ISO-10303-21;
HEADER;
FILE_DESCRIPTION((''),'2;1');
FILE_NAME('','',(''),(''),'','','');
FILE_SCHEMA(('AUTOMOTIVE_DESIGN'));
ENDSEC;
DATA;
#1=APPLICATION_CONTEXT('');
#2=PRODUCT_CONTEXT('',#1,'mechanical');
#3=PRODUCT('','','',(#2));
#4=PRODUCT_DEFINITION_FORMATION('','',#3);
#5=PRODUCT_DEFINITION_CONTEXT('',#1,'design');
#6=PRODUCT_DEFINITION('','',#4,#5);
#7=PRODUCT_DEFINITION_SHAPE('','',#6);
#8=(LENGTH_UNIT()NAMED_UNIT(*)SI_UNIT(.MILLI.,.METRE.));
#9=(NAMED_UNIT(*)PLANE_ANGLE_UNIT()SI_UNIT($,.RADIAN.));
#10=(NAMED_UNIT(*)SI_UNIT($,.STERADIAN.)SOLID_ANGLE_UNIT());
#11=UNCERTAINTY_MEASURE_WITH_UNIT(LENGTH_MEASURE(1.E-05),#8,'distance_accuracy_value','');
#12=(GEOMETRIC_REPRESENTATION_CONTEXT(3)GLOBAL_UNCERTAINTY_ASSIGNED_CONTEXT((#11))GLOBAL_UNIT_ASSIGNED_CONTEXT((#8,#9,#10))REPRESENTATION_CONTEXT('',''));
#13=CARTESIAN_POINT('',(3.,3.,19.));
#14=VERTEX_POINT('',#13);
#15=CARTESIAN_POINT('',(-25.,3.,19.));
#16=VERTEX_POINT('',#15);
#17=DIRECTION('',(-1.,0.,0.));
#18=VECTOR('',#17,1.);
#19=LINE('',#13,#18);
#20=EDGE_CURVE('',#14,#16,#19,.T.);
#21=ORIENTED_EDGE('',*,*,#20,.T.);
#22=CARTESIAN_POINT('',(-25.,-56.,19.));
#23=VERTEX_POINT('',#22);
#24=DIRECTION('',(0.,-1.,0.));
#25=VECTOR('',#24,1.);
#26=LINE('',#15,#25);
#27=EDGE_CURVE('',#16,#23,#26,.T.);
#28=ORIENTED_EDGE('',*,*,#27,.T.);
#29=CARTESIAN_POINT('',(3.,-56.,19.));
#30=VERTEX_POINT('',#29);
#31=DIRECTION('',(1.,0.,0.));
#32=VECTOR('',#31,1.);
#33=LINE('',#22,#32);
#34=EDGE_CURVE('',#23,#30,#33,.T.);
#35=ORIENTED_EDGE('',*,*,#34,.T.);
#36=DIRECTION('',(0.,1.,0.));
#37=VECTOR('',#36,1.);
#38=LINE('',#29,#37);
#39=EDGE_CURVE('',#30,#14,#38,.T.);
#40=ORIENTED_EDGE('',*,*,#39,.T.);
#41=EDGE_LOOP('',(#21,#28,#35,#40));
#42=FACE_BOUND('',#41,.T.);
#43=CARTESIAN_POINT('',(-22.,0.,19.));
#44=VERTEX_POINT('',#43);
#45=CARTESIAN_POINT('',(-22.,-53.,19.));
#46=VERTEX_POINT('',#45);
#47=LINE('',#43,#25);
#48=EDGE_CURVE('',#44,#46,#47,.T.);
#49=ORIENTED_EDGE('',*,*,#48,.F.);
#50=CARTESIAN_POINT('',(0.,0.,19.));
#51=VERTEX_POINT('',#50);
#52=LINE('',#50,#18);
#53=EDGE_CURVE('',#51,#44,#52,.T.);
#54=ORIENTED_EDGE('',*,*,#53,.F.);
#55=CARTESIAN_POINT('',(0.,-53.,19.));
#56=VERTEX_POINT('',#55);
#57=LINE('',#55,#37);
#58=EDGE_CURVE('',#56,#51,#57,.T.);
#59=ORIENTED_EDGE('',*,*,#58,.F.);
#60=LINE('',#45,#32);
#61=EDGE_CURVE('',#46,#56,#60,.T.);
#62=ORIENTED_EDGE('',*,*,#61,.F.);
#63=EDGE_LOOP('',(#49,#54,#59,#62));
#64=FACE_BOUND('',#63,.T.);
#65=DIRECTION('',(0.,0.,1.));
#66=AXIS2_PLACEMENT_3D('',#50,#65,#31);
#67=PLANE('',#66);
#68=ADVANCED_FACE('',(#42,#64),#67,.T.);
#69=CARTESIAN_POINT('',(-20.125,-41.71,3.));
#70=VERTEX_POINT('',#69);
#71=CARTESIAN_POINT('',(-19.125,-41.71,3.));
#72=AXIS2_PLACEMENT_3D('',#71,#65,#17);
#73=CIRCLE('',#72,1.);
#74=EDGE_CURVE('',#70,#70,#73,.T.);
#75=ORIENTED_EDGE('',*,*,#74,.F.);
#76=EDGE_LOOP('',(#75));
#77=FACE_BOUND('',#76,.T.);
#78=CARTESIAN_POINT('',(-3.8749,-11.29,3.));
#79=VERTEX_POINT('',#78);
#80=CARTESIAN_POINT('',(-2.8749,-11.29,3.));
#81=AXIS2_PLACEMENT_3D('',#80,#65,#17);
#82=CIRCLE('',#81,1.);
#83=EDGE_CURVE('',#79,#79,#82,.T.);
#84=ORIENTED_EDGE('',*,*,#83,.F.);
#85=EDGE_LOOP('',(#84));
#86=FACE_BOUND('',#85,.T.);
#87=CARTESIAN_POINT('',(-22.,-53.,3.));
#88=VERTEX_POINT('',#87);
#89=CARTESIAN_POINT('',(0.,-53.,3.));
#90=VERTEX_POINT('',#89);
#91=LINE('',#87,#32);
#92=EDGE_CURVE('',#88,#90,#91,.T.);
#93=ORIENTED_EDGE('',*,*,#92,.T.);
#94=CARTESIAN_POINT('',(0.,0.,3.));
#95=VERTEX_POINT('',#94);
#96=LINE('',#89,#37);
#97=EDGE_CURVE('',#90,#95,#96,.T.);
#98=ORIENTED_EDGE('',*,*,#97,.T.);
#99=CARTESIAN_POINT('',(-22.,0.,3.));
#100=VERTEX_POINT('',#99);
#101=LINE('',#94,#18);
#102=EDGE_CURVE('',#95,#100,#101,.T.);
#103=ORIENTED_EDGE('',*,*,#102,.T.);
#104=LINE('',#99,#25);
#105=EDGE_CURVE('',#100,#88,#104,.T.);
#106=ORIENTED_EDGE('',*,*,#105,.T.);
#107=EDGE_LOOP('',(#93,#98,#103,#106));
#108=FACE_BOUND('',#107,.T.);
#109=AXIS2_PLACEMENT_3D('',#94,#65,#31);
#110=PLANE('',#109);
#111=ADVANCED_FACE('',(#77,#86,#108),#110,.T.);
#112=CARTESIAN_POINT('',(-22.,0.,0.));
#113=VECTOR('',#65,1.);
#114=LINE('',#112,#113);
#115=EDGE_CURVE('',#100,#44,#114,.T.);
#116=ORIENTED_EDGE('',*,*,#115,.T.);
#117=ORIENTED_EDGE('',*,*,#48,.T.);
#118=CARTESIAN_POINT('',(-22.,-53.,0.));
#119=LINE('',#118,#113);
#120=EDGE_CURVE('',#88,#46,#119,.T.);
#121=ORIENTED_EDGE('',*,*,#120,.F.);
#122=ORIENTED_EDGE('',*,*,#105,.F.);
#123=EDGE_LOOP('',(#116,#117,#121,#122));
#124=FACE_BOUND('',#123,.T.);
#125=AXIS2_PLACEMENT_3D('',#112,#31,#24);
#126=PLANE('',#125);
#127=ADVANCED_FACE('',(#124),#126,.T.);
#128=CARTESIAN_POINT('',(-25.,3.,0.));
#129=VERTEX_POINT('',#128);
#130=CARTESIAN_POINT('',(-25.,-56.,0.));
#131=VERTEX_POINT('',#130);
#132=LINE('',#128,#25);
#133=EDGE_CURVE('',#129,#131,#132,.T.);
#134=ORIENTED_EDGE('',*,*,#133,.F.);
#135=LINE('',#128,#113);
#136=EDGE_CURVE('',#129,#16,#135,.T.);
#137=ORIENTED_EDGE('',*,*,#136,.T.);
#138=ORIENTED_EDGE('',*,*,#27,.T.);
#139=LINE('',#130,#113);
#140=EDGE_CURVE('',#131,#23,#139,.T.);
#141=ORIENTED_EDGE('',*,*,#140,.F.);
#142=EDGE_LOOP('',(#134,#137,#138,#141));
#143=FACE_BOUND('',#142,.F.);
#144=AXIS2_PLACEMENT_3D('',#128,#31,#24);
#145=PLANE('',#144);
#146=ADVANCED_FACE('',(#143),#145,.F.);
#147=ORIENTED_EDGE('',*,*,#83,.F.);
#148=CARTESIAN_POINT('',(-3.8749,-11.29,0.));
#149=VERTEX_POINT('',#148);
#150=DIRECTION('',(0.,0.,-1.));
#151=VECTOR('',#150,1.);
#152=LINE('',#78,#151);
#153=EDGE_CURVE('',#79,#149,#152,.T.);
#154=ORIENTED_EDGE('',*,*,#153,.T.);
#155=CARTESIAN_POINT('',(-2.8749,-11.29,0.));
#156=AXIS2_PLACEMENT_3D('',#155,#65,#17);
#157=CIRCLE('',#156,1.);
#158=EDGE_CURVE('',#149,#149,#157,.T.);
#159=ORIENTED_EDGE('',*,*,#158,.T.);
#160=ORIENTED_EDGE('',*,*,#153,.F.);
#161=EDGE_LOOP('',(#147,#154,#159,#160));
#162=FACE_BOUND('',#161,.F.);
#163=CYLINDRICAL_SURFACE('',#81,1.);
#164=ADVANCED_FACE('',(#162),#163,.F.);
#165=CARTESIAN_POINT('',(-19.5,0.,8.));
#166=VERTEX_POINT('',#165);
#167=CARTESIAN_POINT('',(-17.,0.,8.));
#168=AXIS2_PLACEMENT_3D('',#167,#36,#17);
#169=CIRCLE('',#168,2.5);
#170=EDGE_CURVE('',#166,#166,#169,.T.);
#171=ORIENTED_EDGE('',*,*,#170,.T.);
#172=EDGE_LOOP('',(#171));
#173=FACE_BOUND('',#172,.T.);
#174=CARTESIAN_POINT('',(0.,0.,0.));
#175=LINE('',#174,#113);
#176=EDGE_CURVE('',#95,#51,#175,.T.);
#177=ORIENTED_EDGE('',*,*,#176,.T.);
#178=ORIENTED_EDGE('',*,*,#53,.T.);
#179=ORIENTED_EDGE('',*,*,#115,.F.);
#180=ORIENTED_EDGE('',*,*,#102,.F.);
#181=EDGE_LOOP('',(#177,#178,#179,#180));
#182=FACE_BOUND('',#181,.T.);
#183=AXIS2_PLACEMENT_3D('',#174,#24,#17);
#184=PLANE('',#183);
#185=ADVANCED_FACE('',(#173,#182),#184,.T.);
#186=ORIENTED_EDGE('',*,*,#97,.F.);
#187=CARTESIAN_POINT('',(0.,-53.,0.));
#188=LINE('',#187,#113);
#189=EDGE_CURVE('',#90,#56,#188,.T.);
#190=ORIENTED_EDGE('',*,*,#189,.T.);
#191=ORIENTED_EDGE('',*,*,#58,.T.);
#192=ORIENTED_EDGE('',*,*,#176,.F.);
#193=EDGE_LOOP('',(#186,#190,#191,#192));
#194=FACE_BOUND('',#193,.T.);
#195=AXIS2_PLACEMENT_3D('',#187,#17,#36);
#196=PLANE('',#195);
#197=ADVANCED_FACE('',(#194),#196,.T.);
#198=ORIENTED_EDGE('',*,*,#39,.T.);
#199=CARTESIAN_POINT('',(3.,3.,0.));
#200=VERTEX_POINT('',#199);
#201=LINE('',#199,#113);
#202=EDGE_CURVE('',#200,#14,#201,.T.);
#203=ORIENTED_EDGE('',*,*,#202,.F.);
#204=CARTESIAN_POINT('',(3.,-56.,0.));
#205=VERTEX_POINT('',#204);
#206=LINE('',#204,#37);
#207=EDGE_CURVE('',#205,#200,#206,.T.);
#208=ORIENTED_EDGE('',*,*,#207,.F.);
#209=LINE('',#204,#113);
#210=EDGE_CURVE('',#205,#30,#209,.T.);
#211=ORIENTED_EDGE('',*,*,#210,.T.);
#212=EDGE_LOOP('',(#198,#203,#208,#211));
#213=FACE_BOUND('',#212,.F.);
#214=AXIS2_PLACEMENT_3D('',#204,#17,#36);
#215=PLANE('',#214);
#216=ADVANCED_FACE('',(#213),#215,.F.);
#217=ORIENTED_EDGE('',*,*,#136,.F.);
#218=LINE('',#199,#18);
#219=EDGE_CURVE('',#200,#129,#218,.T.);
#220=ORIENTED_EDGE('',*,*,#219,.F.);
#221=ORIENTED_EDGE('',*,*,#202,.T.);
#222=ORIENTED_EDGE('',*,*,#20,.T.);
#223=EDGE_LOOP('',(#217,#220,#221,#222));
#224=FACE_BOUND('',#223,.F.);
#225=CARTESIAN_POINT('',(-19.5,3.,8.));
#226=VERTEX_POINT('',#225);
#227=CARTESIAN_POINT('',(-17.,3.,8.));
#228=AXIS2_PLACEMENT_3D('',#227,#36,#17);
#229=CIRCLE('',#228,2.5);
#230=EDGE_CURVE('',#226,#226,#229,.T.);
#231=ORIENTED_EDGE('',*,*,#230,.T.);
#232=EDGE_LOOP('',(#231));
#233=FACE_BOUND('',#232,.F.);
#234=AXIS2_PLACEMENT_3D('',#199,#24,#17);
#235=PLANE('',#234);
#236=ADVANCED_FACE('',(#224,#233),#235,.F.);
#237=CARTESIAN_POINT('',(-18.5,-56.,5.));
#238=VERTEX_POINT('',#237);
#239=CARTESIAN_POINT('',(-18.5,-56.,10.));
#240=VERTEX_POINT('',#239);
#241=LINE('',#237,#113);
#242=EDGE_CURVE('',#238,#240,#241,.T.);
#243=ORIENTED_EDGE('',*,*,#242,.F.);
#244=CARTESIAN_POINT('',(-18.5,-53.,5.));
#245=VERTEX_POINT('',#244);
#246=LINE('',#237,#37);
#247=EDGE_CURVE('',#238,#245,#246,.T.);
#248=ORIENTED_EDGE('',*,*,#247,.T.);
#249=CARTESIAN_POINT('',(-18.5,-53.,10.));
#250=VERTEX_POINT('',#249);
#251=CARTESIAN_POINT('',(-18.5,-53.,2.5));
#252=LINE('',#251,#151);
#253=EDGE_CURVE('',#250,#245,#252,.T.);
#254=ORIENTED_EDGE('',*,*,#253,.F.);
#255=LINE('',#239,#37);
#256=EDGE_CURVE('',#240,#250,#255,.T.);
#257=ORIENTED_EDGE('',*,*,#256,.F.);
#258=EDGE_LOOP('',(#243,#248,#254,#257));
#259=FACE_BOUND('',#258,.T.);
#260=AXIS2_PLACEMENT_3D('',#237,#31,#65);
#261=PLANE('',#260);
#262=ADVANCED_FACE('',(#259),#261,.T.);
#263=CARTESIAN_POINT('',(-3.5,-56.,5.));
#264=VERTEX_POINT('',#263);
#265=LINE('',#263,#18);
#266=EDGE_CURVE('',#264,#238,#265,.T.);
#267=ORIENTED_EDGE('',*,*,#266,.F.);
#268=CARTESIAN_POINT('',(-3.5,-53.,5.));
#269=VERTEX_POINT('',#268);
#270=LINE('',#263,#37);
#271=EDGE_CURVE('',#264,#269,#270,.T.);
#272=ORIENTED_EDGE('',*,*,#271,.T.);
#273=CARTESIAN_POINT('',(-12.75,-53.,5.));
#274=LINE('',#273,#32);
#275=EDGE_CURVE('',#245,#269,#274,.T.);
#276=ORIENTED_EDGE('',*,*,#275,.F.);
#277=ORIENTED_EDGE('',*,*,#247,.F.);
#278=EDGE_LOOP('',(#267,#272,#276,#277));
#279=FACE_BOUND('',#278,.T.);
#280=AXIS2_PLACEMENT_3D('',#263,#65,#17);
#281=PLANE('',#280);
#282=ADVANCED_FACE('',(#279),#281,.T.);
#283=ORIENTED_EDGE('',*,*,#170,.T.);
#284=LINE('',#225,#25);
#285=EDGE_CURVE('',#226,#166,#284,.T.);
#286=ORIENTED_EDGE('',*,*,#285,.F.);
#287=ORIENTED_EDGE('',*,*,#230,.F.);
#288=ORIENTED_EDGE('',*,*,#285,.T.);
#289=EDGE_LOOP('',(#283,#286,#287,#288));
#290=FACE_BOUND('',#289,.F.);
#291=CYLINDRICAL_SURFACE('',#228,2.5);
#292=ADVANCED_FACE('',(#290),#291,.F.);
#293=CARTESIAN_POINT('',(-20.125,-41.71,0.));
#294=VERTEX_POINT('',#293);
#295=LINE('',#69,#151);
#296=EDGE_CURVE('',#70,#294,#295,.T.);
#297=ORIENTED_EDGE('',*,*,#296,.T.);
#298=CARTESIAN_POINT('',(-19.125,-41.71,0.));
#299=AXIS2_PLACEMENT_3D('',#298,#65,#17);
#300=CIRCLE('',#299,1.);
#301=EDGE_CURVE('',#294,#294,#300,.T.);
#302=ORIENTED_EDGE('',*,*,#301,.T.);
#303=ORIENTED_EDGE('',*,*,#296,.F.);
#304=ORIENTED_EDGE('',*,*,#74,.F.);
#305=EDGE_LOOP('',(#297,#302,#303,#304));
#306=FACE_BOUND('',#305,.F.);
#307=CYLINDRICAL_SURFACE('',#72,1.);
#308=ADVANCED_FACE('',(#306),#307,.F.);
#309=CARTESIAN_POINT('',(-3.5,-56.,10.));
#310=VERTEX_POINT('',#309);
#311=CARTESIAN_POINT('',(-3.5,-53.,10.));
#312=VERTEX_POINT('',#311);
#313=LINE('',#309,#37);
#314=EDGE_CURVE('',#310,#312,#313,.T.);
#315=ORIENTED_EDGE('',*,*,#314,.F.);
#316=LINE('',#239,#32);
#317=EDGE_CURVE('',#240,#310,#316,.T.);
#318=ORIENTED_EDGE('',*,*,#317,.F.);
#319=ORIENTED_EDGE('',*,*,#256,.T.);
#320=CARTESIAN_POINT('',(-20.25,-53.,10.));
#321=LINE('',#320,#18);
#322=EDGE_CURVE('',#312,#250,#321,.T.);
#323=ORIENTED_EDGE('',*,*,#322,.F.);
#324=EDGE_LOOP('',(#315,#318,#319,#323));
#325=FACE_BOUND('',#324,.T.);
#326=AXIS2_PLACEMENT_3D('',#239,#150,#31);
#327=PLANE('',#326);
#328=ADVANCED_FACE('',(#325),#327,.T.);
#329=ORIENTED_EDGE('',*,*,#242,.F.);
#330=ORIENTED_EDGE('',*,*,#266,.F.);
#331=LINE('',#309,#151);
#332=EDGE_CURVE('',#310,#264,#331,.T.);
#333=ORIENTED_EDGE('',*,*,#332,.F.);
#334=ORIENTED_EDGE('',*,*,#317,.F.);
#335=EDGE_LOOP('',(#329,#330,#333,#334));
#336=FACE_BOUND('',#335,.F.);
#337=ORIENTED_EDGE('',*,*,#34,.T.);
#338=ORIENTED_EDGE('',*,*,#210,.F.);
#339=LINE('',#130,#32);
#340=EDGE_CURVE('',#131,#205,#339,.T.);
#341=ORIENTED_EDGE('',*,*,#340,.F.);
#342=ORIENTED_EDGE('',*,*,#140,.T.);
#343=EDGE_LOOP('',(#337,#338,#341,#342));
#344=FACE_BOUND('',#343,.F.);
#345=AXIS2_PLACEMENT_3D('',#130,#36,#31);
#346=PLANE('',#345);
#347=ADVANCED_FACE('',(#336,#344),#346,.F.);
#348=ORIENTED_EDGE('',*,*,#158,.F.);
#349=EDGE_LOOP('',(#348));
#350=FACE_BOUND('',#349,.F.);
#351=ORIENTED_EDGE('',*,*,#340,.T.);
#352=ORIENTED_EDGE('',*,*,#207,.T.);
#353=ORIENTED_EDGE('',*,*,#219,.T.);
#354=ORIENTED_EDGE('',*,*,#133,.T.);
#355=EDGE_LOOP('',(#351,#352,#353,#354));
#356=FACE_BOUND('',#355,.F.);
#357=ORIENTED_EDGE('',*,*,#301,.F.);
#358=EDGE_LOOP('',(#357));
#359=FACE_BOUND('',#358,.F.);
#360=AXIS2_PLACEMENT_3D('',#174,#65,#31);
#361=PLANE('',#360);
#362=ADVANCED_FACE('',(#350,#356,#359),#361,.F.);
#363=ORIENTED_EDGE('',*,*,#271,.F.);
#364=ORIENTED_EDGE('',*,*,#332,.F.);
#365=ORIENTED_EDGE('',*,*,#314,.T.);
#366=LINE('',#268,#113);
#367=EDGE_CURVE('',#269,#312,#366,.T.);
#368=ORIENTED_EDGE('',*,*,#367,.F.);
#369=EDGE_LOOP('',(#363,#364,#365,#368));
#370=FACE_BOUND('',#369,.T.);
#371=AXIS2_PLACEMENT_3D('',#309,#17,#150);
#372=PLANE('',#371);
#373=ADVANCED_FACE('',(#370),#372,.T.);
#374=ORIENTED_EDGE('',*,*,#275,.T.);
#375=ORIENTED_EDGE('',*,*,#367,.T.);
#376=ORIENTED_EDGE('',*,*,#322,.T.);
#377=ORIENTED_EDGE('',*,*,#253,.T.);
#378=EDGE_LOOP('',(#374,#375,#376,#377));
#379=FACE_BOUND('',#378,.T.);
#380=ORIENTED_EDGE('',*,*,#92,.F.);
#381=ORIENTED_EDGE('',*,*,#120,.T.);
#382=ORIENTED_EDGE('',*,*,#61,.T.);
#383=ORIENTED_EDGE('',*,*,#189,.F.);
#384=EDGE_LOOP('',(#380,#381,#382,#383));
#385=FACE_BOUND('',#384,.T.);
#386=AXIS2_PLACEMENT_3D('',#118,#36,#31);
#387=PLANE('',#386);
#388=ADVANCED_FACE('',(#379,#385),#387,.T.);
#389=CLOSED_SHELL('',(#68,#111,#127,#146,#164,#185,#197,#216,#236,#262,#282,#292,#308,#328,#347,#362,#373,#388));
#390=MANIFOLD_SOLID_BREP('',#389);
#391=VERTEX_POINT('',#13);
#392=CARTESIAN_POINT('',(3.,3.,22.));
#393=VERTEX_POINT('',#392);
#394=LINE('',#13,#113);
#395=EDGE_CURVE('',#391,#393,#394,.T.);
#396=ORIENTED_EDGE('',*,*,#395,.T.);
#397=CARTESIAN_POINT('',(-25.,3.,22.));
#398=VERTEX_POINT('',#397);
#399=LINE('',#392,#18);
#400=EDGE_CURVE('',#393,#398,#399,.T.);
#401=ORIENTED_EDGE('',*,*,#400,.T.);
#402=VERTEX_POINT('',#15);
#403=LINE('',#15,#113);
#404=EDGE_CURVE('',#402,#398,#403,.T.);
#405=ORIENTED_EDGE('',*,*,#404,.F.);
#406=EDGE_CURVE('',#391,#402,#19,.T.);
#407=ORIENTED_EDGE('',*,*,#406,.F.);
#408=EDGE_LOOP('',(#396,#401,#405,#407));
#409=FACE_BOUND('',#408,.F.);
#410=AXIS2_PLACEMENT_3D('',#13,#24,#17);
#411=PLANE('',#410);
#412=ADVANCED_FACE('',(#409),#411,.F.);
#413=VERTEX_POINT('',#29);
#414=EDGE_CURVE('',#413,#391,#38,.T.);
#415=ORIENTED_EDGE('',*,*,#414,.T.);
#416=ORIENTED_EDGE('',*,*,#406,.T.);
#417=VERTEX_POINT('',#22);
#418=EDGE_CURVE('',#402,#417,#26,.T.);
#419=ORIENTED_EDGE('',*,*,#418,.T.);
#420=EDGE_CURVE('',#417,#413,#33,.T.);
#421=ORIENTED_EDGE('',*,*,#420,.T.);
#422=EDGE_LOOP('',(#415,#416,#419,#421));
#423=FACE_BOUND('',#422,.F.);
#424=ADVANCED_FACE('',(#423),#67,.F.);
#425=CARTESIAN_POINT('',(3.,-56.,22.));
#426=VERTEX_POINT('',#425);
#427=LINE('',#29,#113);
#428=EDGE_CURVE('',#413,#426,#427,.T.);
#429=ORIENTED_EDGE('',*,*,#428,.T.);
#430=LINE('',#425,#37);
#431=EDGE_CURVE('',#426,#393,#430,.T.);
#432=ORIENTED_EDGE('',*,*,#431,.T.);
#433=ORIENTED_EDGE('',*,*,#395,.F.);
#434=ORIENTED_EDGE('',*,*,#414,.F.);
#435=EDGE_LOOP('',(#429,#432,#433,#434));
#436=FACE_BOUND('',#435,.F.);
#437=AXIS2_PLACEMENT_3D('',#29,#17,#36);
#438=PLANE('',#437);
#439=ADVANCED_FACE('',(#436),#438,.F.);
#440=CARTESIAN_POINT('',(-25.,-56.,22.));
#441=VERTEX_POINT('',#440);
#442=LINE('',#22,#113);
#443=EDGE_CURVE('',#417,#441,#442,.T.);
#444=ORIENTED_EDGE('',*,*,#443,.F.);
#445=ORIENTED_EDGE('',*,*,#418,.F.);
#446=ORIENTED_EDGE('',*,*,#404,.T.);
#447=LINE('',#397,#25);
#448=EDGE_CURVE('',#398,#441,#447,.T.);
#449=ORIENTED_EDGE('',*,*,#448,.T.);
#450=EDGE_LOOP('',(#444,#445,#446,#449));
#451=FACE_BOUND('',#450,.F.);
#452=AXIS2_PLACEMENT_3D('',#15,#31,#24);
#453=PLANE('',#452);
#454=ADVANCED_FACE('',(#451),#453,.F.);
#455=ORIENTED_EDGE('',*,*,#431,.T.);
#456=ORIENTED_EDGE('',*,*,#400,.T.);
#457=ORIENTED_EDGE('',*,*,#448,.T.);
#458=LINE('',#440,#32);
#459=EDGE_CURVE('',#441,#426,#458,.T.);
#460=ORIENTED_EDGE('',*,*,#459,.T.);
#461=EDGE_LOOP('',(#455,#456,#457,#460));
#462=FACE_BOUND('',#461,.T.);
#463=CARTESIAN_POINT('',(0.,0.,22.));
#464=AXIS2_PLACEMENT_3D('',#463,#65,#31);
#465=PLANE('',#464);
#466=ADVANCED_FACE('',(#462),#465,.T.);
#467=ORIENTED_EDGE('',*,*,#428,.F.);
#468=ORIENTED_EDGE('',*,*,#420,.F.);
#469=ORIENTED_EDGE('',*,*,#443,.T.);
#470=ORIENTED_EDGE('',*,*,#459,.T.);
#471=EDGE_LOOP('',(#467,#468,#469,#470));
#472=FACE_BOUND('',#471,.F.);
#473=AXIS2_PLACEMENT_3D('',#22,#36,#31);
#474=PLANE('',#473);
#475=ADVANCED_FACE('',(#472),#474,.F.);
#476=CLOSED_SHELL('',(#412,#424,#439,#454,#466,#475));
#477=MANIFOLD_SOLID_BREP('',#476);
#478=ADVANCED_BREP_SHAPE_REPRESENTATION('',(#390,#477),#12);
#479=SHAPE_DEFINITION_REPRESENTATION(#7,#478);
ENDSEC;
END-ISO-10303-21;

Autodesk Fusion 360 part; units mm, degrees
sketch "Skizze1" plane through (0, 0, 0) normal (0, 0, 1) x (1, 0, 0) in component "light-on-checker"
  line L0 (0, 0) -> (-22, 0)
  line L1 (-22, 0) -> (-22, -53)
  line L2 (-22, -53) -> (0, -53)
  line L3 (0, -53) -> (0, 0)
  line L4 (3, -56) -> (3, 3)
  line L5 (3, 3) -> (-25, 3)
  line L6 (-25, 3) -> (-25, -56)
  line L7 (-25, -56) -> (3, -56)
  dimension "d11" = 22
  dimension "d12" = 53
  dimension "d13" = 3
extrude "Extrusion1" add sketch "Skizze1" along normal blind 3 contours L0 L1 L2 L3 makes body 1 in component "light-on-checker"
extrude "Extrusion2" add sketch "Skizze1" along normal blind 19 bodies 1 in component "light-on-checker"
extrude "Extrusion3" add sketch "Skizze1" along normal blind 3 from surface at 19 separate body contours L0 L1 L2 L3 | L4 L5 L6 L7 makes body 2 in component "light-on-checker"
sketch "Skizze2" plane through (0, 0, 3) normal (0, 0, 1) x (-1, 0, 0) in component "light-on-checker"
  line L0 (0, 53) -> (0, 0)
  line L1 (0, 0) -> (22, 0)
  line L2 (22, 0) -> (22, 53)
  line L3 (22, 53) -> (0, 53)
  line L4 (0, 0) -> (22, 53) construction
  line L5 (21.595, 4.91) -> (0.405, 4.91) construction
  line L6 (0.405, 4.91) -> (0.405, 48.09) construction
  line L7 (0.405, 48.09) -> (21.595, 48.09) construction
  line L8 (21.595, 48.09) -> (21.595, 4.91) construction
  line L9 (21.595, 4.91) -> (0.405, 48.09) construction
  line L10 (0.405, 4.91) -> (21.595, 48.09) construction
  line L11 (19.125, 48.09) -> (19.125, 4.91) construction
  line L12 (2.8749, 48.09) -> (2.8749, 4.8867) construction
  line L13 (19.125, 11.29) -> (2.8749, 11.29) construction
  line L14 (2.8749, 41.71) -> (19.125, 41.71) construction
  circle A0 centre (19.125, 41.71) radius 1
  circle A1 centre (2.8749, 11.29) radius 1
  point P0 (11, 26.5)
  dimension "d21" = 21.19
  dimension "d22" = 43.18
  dimension "d23" = 2.47
  dimension "d24" = 2.47
  dimension "d25" = 6.38
  dimension "d26" = 6.38
  dimension "d27" = 2
  dimension "d28" = 2
extrude "Extrusion4" cut sketch "Skizze2" against normal blind 7 contours A0 | A1 bodies 1 in component "light-on-checker"
sketch "Skizze3" plane through (0, 3, 0) normal (0, 1, 0) x (-1, 0, 0) in component "light-on-checker"
  line L0 (-3, 0) -> (25, 0)
  line L1 (25, 0) -> (25, 19)
  line L2 (25, 19) -> (-3, 19)
  line L3 (-3, 19) -> (-3, 0)
  circle A0 centre (17, 8) radius 2.5
  dimension "d31" = 5
  dimension "d32" = 8
  dimension "d33" = 8
extrude "Extrusion5" cut sketch "Skizze3" against normal blind 8 contours A0 bodies 1 in component "light-on-checker"
sketch "Skizze4" plane through (0, -56, 0) normal (0, -1, 0) x (1, 0, 0) in component "light-on-checker"
  line L0 (-25, 0) -> (3, 0)
  line L1 (3, 0) -> (3, 19)
  line L2 (3, 19) -> (-25, 19)
  line L3 (-25, 19) -> (-25, 0)
  line L4 (-18.5, 10) -> (-3.5, 10)
  line L5 (-3.5, 10) -> (-3.5, 5)
  line L6 (-3.5, 5) -> (-18.5, 5)
  line L7 (-18.5, 5) -> (-18.5, 10)
  line L8 (-25, 5) -> (3, 5) construction
  dimension "d36" = 15
  dimension "d37" = 5
  dimension "d38" = 5
extrude "Extrusion6" cut sketch "Skizze4" against normal blind 9 contours L4 L5 L6 L7 bodies 1 in component "light-on-checker"
component "light-on-checker" placed x (1, 0, 0) y (0, 1, 0) z (0, 0, 1) at (0, 0, 0)
equation "d16 = 3.00 mm + 16 mm"
equation "d114 = 2 mm + 25.4 mm"
